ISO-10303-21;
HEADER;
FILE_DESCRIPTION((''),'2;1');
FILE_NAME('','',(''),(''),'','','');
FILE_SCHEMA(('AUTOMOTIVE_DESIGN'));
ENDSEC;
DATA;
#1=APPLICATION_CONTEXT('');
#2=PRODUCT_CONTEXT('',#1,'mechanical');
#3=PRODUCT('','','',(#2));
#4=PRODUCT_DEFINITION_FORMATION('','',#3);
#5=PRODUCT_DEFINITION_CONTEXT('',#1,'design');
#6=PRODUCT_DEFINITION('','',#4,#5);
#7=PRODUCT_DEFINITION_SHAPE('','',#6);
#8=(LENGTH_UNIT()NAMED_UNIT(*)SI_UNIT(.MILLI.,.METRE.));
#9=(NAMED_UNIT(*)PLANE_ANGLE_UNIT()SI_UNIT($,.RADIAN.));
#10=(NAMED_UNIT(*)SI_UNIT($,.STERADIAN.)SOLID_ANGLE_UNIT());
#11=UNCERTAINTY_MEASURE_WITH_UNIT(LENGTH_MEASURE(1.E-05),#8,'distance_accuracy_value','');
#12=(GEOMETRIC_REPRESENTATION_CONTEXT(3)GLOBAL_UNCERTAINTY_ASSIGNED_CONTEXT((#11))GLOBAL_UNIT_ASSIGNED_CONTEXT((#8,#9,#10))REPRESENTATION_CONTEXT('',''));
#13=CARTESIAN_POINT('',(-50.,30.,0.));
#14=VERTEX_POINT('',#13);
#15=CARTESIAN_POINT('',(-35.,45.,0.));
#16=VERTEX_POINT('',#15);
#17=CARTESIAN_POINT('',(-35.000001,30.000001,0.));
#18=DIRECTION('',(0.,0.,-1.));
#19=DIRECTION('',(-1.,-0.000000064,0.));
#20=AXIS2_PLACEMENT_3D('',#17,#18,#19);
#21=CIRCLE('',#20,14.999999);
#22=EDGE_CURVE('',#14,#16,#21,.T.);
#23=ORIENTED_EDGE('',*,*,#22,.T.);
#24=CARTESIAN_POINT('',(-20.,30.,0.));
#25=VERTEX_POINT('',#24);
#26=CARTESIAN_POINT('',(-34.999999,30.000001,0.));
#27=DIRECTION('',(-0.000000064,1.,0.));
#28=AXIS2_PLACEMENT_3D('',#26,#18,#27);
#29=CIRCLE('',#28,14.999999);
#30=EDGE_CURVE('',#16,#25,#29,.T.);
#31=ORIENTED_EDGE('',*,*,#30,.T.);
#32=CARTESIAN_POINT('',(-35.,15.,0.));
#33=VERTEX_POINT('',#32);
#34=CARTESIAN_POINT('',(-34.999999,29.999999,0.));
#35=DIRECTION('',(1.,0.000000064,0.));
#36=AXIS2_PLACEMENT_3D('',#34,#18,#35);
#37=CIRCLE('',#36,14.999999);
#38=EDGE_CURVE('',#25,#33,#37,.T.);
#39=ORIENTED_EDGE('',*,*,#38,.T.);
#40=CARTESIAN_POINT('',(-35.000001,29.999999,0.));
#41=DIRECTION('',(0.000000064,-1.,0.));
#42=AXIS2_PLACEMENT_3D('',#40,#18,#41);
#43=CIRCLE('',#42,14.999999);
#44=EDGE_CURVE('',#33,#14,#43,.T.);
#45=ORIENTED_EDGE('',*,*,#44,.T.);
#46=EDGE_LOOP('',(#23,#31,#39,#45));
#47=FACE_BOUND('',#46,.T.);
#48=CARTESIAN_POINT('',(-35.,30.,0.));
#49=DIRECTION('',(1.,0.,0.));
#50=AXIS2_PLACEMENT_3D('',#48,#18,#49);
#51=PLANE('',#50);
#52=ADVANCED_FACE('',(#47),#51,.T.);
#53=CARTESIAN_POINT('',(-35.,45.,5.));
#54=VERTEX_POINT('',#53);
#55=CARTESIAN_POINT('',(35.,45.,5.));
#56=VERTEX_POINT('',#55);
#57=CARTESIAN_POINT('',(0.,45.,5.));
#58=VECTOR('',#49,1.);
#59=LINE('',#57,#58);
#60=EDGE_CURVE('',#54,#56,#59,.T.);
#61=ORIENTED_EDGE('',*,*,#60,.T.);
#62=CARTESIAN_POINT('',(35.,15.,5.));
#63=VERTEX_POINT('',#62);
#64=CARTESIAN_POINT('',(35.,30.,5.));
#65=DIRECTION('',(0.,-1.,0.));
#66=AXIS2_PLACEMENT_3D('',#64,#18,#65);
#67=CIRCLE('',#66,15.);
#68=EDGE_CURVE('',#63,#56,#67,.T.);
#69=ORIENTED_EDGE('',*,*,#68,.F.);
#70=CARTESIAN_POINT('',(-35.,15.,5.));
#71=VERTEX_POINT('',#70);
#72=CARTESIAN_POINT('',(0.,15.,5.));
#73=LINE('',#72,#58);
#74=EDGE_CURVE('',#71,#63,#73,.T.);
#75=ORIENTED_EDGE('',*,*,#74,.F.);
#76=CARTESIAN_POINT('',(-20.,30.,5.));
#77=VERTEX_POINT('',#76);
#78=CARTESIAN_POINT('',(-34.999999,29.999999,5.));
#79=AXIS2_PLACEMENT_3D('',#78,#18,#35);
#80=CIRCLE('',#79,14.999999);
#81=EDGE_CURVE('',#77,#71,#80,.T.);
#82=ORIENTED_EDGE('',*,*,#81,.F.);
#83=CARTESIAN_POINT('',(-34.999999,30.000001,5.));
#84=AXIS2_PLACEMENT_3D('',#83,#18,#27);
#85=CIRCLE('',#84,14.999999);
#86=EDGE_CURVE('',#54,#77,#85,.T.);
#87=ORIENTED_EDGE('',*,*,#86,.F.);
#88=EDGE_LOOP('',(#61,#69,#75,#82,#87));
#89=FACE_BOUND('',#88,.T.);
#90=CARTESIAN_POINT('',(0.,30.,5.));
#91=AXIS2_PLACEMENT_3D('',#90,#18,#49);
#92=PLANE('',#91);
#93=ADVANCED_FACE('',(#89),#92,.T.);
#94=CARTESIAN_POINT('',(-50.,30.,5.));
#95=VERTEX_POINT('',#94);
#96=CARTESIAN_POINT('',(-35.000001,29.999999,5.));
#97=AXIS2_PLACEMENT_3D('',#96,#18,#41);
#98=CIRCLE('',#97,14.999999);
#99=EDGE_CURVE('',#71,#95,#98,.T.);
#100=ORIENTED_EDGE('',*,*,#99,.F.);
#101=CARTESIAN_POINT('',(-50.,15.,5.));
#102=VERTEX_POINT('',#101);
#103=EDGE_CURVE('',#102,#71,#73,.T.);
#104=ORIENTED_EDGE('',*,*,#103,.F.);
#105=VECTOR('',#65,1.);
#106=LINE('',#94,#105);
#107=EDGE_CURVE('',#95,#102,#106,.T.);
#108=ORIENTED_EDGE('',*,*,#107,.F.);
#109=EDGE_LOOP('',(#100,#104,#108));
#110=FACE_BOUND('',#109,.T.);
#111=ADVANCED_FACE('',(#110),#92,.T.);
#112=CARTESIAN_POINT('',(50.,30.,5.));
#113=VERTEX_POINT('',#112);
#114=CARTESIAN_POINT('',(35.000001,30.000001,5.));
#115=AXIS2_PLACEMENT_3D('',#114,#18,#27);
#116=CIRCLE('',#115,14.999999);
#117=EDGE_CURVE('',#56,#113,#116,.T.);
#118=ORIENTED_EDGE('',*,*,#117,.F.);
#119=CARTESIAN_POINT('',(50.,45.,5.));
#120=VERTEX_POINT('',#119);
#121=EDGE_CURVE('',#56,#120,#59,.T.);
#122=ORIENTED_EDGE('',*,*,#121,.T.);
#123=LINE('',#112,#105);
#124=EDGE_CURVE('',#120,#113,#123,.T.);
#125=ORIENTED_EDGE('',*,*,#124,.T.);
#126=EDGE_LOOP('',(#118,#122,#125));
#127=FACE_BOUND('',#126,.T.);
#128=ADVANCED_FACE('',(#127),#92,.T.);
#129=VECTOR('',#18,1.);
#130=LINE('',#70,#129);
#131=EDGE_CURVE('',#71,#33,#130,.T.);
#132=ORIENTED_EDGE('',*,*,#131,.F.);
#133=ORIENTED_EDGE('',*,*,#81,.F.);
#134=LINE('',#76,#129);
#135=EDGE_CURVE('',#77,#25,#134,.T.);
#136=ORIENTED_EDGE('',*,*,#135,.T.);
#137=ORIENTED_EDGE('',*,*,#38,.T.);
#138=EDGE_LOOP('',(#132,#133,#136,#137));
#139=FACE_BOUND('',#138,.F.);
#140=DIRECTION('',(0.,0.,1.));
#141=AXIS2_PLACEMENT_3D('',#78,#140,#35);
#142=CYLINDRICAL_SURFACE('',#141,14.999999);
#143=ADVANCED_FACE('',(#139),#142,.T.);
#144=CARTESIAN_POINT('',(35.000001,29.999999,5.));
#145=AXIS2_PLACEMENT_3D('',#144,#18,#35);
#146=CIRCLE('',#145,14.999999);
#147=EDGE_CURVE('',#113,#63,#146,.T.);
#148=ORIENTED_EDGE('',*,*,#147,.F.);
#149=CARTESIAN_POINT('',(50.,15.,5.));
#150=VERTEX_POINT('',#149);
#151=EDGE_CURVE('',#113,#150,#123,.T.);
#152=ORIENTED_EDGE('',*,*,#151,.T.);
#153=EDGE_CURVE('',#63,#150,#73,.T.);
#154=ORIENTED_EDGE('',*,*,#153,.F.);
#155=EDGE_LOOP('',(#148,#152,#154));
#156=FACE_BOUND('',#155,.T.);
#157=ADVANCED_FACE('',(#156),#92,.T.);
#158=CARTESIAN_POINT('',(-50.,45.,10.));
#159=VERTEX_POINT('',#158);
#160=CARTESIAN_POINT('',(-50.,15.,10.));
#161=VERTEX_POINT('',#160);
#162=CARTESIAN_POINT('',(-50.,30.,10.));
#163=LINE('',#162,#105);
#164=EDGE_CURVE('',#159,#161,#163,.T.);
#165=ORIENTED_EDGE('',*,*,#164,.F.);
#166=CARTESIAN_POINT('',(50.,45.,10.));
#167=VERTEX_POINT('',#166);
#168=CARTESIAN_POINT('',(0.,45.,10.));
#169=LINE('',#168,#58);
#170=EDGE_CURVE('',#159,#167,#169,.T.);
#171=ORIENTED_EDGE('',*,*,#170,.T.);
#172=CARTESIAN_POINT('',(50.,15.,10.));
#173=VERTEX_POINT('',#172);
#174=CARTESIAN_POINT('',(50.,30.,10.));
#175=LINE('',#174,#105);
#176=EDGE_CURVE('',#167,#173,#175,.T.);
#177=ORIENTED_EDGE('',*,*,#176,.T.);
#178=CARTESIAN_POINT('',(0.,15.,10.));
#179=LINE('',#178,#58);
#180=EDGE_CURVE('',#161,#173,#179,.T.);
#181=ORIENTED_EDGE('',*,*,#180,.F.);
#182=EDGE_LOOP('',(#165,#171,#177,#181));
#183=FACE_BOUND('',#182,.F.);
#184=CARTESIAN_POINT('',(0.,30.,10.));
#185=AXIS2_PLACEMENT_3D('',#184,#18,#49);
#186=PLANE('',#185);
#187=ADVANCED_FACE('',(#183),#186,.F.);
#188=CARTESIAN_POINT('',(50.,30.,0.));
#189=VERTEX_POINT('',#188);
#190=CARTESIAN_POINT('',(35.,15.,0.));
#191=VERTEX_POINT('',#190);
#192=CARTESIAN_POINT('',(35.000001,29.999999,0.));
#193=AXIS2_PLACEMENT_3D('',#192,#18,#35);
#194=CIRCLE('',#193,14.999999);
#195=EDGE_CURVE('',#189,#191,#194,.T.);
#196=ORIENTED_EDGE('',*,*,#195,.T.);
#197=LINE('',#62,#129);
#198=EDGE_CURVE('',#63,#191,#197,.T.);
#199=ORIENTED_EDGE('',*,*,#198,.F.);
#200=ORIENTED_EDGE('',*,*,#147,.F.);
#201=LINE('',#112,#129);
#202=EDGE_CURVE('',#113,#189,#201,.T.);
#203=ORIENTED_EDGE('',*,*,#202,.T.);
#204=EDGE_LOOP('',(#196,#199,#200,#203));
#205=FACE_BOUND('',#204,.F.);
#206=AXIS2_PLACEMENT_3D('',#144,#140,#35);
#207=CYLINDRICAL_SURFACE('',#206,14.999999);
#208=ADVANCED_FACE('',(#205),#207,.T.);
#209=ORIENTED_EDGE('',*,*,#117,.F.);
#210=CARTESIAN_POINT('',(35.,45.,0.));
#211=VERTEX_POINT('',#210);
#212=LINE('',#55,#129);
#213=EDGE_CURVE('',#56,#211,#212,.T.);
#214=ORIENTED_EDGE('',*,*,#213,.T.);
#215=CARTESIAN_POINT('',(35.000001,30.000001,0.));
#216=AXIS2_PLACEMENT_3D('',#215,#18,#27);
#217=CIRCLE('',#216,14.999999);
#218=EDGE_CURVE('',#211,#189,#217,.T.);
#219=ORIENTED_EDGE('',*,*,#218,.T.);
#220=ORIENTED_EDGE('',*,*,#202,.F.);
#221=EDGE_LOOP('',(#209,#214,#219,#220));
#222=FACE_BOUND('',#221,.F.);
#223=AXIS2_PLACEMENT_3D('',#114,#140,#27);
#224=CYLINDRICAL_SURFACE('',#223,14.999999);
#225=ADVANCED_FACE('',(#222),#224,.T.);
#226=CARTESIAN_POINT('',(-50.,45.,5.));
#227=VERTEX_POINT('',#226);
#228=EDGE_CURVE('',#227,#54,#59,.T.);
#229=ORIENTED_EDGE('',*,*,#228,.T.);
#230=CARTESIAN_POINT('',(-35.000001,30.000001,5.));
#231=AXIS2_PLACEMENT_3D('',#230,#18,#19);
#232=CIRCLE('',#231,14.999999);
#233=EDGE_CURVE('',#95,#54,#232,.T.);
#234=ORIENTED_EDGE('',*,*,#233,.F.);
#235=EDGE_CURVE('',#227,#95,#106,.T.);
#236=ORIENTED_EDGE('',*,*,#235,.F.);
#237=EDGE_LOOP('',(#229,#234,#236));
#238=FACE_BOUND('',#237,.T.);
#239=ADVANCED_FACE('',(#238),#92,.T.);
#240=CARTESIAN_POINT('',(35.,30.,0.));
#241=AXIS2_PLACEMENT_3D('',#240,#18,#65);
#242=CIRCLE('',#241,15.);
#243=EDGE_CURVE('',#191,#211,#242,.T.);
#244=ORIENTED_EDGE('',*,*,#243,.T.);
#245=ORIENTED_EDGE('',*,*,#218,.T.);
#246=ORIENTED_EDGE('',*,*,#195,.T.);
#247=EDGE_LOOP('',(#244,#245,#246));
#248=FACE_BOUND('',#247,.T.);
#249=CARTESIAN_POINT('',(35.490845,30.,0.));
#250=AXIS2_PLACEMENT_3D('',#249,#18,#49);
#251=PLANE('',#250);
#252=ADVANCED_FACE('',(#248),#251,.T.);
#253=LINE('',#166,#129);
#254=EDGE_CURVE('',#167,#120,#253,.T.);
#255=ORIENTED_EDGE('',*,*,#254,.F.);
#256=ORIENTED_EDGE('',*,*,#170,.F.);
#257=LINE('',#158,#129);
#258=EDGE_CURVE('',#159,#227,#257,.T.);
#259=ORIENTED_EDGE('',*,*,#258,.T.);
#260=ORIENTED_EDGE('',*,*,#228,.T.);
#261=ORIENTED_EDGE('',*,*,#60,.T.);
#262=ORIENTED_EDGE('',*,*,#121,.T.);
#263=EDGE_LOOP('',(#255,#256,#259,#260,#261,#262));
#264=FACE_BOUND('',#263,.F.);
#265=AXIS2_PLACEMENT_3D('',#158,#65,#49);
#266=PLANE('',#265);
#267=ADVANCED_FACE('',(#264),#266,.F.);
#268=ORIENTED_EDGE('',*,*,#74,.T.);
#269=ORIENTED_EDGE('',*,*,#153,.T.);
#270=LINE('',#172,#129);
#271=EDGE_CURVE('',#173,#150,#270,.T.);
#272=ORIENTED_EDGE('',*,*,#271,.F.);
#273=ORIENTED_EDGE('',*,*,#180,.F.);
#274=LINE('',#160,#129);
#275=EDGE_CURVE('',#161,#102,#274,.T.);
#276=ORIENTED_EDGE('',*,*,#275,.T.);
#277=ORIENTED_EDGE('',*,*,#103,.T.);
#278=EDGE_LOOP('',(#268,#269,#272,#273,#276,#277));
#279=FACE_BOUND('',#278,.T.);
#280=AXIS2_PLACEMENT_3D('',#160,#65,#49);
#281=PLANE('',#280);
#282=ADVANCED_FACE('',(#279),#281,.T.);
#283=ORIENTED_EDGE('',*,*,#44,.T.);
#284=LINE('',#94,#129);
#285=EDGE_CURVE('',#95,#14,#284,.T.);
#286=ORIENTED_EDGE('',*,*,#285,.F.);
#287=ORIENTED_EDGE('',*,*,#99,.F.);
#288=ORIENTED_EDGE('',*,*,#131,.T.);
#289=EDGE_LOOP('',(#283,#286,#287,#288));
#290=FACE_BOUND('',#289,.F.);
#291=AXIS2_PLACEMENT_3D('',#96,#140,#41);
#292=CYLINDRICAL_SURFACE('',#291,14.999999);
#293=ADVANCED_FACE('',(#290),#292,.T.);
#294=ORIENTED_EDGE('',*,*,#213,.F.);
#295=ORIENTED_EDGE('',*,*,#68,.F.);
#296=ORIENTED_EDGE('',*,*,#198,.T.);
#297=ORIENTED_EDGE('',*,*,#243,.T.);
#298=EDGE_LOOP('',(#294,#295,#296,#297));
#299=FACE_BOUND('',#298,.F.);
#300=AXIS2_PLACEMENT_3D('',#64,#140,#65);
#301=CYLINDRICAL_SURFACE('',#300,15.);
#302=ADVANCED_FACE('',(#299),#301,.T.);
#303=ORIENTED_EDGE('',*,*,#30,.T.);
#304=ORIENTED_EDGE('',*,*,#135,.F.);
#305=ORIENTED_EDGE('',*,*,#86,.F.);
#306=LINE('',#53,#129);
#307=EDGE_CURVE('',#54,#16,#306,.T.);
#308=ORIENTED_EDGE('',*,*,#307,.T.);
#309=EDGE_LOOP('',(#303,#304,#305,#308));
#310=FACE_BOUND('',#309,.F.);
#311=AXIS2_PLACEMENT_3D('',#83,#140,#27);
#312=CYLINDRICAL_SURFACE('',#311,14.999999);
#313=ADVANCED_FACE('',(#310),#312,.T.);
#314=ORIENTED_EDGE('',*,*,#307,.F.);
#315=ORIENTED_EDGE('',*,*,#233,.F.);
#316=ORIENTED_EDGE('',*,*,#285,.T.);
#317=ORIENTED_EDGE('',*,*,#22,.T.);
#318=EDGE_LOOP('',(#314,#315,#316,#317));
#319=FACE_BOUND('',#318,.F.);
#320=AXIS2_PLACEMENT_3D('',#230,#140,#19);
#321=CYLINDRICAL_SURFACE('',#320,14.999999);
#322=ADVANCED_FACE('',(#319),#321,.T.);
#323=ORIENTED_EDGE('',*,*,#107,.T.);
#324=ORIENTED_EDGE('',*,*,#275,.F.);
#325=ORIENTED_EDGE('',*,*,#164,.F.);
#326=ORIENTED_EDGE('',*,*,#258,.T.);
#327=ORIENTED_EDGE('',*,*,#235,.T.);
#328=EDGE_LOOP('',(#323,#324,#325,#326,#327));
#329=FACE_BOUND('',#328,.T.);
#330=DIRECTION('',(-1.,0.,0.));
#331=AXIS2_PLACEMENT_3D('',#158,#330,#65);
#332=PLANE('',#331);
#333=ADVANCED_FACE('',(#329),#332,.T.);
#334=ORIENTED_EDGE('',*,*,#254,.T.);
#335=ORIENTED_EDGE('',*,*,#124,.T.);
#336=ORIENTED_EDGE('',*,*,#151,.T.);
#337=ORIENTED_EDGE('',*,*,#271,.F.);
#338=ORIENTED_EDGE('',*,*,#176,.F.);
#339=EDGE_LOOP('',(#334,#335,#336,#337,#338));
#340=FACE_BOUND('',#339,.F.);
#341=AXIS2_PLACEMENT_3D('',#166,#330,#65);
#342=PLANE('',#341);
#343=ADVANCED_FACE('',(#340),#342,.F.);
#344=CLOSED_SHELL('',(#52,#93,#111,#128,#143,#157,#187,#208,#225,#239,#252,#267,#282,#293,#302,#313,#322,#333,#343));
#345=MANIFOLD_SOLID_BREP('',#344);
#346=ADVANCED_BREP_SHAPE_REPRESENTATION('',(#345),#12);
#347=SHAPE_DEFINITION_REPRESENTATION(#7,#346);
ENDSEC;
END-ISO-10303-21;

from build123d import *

# Parameters (mm, degrees)
F0_W     = 100
F0_H     = 30
F1_DEPTH = 5
F3_DEPTH = 5
F4_ANGLE = 180


with BuildPart() as f1:
    # F0 (on Top) → F1 (new body)
    with BuildSketch(Plane.XY):
        Rectangle(F0_W, F0_H)
    extrude(amount=F1_DEPTH)

    # F2 (on face) → F3 (join)
    with BuildSketch(Plane.XY.offset(5)):
        with BuildLine():
            ThreePointArc((35, -15), (45.606602, -10.606602), (50, 0))
            ThreePointArc((50, 0), (45.606602, 10.606602), (35, 15))
            ThreePointArc((35, 15), (20, 0), (35, -15))
        make_face()
        with BuildLine():
            ThreePointArc((-20, 0), (-24.393398, 10.606602), (-35, 15))
            ThreePointArc((-35, 15), (-45.606602, 10.606602), (-50, 0))
            ThreePointArc((-50, 0), (-45.606602, -10.606602), (-35, -15))
            ThreePointArc((-35, -15), (-24.393398, -10.606602), (-20, 0))
        make_face()
    extrude(amount=F3_DEPTH)


with BuildPart() as f1_1:
    # F4: moved
    add(f1.part.rotate(Axis((0, 15, 5), (-1, 0, 0)), F4_ANGLE))


solid = f1_1.part
